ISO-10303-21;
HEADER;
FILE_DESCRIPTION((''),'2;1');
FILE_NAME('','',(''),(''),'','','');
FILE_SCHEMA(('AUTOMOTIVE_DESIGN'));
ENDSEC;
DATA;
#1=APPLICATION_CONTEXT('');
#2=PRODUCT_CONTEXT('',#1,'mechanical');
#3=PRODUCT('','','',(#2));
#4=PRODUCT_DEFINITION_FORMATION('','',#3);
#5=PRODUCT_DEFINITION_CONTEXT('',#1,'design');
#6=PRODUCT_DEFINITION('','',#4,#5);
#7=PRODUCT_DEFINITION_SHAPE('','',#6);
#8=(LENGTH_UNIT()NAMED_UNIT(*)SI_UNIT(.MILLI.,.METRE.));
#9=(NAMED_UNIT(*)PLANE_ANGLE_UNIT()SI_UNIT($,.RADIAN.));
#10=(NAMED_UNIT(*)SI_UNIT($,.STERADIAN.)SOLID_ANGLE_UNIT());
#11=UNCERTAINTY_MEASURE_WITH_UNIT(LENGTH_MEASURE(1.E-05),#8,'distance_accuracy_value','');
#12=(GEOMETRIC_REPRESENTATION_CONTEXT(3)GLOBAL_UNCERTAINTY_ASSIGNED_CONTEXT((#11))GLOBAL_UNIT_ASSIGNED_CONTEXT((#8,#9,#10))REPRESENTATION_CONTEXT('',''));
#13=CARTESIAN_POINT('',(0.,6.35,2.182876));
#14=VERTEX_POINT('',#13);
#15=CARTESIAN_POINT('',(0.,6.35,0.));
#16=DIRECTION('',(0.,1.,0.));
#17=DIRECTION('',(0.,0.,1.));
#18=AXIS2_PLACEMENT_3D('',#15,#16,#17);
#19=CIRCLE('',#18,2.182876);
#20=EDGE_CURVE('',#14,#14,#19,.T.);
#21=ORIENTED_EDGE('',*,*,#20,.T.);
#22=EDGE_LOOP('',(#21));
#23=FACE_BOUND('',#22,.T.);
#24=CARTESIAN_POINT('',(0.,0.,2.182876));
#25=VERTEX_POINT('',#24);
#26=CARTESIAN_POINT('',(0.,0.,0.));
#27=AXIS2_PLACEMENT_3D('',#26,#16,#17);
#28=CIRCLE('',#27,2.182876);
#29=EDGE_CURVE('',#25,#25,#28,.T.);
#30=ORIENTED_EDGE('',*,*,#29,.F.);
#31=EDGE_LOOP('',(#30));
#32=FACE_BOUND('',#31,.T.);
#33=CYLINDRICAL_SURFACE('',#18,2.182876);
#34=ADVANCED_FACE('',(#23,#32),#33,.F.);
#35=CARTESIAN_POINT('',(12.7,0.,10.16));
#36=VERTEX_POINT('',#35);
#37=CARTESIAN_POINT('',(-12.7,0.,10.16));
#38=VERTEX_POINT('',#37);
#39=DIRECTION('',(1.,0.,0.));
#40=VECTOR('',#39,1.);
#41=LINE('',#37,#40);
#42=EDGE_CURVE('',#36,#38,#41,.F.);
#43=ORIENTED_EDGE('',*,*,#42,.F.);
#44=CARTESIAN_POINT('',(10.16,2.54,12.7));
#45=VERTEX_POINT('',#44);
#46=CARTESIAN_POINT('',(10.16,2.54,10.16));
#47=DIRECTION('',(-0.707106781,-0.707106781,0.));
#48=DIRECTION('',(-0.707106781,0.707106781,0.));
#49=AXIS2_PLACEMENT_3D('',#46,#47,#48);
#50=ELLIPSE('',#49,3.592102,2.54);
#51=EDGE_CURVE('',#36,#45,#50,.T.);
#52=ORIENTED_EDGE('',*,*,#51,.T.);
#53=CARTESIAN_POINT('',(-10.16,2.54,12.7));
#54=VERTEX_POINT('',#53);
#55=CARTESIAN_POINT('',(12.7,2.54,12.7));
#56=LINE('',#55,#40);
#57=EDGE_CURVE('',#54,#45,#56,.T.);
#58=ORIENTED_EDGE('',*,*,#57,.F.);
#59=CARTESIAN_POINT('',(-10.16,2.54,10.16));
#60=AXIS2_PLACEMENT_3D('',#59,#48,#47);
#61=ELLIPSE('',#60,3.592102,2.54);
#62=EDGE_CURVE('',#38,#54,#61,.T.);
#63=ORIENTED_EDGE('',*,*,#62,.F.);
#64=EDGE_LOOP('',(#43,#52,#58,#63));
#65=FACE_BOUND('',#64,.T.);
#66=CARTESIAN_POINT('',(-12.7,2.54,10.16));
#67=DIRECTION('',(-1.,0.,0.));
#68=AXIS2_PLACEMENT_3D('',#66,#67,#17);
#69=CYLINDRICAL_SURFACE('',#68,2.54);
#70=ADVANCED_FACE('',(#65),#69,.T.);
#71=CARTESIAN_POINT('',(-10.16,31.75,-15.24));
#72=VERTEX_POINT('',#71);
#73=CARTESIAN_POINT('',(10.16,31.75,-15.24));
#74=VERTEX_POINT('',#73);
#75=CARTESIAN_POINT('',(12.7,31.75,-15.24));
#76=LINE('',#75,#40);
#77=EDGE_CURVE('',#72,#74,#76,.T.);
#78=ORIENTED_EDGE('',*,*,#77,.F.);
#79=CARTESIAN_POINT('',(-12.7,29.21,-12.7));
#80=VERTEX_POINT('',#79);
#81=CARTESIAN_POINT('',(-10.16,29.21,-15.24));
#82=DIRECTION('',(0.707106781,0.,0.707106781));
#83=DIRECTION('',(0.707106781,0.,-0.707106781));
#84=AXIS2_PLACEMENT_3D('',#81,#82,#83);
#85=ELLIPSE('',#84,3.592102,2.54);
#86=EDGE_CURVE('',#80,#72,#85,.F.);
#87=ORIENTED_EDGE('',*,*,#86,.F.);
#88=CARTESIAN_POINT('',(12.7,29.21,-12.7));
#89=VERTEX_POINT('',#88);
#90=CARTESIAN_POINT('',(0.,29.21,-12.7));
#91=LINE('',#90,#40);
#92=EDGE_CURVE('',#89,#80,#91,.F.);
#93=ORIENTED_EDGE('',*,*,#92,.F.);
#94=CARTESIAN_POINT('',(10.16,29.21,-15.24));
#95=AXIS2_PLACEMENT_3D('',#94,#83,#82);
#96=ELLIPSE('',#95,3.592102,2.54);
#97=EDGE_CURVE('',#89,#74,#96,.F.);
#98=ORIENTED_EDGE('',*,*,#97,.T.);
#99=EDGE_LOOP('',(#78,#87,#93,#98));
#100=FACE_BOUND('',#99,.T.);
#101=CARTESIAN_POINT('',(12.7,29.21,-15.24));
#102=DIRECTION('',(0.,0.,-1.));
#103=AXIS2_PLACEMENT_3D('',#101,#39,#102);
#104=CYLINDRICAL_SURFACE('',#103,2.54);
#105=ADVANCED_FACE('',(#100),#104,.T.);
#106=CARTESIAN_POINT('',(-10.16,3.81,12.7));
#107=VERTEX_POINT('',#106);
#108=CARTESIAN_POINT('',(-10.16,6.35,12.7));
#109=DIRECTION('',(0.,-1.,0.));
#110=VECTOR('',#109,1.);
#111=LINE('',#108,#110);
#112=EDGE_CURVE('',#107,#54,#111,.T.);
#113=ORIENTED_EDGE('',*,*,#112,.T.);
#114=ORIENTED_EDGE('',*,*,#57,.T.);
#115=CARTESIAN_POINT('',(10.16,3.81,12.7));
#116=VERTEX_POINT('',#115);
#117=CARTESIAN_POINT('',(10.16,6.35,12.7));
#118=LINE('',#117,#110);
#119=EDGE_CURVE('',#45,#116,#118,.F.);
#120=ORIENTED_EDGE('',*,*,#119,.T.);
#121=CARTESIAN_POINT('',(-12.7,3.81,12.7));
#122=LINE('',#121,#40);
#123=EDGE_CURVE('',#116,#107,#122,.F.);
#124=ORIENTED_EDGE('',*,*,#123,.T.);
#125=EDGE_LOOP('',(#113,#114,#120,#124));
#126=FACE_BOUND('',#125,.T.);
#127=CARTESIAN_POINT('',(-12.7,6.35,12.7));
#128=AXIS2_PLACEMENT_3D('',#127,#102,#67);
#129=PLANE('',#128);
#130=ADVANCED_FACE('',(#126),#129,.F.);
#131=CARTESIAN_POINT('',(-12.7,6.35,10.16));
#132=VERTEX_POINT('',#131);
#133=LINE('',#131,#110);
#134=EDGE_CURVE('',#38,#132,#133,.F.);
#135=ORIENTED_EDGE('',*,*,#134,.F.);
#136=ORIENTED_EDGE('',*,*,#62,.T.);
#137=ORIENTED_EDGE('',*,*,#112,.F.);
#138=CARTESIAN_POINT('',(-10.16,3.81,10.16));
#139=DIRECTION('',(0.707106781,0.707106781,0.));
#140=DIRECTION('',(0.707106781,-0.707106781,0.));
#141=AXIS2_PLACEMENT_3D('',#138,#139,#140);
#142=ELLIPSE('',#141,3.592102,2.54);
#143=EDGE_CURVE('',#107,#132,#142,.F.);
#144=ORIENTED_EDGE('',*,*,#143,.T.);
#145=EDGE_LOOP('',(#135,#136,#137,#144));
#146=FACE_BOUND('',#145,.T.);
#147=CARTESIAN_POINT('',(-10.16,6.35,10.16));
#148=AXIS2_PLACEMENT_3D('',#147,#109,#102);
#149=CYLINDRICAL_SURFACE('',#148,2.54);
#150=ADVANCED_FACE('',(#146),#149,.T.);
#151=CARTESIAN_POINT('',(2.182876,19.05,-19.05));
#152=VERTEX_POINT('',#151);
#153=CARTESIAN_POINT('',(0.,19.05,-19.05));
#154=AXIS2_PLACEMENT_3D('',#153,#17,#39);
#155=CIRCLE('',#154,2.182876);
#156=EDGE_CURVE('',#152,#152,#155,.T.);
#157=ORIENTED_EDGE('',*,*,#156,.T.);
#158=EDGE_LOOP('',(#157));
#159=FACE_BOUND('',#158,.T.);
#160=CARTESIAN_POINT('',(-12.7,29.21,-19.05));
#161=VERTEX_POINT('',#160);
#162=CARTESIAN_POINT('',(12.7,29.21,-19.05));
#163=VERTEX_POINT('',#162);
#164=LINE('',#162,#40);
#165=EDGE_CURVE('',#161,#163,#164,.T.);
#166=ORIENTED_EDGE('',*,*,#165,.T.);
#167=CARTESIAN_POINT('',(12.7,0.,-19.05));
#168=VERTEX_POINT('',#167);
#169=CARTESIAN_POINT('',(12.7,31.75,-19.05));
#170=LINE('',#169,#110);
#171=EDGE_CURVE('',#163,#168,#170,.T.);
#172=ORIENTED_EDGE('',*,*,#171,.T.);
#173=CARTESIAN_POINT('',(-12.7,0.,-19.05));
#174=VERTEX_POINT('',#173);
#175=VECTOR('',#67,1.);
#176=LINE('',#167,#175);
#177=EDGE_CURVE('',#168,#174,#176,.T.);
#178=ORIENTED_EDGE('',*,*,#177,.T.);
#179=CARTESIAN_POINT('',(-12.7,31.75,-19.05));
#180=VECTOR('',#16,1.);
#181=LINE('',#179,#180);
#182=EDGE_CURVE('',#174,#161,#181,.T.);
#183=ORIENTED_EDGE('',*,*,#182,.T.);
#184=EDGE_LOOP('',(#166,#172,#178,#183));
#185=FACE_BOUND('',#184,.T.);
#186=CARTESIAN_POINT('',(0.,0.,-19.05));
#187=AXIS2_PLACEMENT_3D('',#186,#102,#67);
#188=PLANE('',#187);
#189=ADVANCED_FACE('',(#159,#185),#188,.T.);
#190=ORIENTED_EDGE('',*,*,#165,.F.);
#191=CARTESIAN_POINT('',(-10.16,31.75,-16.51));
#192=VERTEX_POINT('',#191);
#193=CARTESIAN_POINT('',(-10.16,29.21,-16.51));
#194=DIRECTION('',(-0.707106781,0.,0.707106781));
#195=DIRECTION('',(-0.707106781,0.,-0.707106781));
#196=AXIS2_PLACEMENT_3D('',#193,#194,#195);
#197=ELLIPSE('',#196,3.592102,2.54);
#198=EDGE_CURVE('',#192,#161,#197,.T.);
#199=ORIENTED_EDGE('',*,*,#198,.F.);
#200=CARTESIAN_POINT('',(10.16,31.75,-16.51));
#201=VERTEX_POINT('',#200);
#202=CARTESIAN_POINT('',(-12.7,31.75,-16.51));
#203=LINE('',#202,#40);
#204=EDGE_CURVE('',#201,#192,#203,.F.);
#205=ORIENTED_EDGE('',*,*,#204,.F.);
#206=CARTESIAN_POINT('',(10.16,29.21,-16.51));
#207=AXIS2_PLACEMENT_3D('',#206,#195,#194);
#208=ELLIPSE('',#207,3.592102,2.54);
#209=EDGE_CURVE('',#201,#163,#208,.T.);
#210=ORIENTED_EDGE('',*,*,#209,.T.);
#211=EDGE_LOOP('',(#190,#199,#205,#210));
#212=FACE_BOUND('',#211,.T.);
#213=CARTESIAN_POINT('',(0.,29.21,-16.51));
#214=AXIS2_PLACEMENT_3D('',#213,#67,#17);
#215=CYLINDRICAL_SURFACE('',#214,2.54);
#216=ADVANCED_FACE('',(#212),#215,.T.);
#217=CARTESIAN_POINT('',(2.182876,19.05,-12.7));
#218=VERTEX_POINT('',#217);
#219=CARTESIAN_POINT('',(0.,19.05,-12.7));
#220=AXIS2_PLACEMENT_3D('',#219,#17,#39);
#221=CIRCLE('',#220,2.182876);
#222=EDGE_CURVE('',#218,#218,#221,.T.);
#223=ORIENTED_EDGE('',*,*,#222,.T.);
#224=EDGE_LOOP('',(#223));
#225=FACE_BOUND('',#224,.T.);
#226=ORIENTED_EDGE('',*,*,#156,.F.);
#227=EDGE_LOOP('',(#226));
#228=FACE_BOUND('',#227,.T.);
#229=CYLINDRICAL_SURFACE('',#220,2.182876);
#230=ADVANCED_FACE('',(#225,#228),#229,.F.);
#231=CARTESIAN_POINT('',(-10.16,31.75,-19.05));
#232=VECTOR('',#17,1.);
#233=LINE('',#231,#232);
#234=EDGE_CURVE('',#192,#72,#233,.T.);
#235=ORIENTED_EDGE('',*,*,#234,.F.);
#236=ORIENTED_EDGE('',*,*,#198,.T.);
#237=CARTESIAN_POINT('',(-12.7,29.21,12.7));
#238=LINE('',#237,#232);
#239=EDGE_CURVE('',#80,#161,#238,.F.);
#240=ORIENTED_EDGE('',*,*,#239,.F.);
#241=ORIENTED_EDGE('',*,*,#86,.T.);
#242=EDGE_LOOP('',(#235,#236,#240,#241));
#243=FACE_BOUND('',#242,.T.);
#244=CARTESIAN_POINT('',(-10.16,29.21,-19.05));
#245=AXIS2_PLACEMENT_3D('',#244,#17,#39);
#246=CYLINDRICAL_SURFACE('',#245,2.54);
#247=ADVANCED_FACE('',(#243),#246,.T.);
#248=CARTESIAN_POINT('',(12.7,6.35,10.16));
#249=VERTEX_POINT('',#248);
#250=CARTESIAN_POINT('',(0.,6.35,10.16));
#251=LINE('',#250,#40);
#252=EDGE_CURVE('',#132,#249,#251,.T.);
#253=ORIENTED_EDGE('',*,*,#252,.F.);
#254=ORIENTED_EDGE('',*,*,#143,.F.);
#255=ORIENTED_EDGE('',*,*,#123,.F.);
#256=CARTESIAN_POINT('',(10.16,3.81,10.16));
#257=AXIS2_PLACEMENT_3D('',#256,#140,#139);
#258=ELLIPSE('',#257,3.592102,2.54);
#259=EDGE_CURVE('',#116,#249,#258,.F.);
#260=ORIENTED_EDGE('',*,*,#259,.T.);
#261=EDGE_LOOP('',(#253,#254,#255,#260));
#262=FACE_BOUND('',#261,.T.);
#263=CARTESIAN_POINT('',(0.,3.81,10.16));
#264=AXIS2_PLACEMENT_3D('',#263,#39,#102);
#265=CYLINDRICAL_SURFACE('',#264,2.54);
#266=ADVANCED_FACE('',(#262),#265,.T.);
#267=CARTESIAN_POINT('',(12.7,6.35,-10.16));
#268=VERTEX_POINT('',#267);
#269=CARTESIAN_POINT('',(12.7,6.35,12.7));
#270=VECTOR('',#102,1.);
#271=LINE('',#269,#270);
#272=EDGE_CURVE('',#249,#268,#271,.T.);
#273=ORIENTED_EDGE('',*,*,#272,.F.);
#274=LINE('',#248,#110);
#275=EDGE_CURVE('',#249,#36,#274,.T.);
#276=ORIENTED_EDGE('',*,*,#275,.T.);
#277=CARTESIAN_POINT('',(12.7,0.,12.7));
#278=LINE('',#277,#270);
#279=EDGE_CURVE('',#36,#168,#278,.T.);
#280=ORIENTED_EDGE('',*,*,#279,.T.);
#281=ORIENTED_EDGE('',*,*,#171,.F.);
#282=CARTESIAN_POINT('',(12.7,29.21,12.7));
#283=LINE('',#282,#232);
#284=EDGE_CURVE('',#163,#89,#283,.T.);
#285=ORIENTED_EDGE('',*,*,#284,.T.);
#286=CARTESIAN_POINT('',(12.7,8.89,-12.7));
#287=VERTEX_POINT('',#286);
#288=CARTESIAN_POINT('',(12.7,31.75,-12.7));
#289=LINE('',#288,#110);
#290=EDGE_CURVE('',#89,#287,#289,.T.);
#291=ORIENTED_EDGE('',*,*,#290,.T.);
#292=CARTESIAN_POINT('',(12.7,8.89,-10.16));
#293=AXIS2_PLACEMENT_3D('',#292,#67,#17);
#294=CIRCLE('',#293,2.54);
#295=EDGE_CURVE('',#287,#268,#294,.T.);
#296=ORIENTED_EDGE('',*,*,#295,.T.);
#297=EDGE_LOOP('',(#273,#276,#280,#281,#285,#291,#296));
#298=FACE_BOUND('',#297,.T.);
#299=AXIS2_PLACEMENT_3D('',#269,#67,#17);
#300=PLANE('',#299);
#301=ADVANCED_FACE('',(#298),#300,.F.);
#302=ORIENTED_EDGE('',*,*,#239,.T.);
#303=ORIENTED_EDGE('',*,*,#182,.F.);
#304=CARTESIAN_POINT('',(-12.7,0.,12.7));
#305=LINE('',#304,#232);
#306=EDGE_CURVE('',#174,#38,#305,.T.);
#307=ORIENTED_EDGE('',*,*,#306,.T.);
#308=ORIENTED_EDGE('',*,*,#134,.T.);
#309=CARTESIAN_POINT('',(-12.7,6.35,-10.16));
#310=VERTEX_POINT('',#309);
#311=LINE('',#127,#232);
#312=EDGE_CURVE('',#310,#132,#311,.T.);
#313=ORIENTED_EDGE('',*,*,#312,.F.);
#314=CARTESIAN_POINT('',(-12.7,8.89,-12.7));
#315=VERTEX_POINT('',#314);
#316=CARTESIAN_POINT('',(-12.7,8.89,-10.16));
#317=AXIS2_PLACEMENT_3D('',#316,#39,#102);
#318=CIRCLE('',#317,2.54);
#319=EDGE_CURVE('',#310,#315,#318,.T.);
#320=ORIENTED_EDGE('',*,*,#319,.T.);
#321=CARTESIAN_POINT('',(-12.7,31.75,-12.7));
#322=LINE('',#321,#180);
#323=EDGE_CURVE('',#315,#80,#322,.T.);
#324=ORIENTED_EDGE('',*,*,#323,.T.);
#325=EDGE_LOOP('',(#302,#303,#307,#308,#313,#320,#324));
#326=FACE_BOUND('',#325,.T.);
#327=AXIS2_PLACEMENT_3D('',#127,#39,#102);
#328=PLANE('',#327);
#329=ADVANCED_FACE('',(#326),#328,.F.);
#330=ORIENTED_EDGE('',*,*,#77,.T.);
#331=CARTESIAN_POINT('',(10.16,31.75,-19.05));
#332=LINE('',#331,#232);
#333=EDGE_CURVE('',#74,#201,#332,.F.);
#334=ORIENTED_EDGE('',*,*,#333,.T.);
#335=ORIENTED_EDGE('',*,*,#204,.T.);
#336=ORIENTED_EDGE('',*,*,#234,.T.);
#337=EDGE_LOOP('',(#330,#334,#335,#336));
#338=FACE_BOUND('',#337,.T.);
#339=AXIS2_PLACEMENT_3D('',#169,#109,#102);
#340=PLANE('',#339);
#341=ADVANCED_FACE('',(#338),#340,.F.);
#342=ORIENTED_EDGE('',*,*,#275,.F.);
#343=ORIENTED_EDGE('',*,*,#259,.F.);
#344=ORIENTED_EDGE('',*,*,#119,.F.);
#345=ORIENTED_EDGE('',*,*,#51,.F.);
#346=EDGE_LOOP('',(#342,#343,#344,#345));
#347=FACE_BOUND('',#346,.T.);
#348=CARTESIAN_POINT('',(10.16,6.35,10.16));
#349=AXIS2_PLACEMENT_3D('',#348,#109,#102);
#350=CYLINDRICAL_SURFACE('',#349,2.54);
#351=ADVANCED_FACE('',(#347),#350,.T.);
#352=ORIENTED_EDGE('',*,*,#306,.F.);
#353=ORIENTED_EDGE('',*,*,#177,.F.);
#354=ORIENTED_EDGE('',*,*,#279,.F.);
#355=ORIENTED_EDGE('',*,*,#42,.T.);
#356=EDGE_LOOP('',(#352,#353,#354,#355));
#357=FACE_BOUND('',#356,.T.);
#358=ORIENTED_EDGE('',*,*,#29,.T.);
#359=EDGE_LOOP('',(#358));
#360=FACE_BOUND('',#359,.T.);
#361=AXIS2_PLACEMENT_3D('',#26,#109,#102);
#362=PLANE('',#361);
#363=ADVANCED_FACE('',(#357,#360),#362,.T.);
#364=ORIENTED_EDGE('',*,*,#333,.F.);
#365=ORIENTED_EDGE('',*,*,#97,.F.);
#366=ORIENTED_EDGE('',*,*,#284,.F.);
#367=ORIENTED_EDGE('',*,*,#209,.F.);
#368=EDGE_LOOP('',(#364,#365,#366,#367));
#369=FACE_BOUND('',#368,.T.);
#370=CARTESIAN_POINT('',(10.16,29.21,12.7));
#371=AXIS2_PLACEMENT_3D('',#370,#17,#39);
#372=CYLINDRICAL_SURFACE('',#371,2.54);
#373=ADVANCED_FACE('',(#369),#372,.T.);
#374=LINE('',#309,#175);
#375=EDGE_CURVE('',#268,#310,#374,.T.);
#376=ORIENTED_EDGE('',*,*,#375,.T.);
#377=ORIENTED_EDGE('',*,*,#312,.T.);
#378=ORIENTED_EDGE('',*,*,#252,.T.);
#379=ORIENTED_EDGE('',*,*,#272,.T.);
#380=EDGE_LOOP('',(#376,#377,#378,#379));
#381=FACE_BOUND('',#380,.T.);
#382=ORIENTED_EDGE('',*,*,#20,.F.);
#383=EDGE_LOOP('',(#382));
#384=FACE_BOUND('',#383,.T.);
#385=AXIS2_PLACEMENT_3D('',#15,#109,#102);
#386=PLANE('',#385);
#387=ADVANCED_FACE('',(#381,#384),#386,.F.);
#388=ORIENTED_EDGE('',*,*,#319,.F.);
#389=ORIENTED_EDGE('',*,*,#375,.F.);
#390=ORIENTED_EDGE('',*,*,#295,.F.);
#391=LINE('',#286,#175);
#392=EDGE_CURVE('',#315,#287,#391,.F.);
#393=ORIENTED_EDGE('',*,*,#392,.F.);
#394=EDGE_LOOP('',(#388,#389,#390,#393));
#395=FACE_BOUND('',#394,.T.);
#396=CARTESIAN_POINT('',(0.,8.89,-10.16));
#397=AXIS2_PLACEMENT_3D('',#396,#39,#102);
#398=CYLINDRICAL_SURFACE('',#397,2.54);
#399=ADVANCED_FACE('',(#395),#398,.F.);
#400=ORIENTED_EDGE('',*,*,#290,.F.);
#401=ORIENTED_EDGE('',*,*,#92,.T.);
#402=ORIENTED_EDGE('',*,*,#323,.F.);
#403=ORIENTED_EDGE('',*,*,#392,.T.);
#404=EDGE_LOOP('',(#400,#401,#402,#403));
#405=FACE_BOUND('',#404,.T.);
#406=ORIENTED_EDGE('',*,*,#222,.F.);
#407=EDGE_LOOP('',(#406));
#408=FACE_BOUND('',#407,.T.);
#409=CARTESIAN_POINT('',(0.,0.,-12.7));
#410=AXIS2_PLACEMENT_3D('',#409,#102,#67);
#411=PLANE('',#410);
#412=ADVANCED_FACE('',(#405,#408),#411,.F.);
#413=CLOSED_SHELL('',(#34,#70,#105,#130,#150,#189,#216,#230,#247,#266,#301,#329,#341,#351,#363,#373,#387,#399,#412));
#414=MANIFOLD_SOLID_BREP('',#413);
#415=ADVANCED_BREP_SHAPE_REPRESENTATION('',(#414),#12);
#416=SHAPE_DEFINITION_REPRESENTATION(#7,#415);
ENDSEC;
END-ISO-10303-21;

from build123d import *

# Parameters (mm, degrees)
SKETCH1_W                        = 25.4
SKETCH1_H                        = 25.4
BOSS_EXTRUDE1_DEPTH              = 6.35
SKETCH2_W                        = 25.4
SKETCH2_H                        = 31.75
BOSS_EXTRUDE2_DEPTH              = 6.35
FILLET1_R                        = 2.54
F_11_64_0_17188_DIAMETER_HOLE1_D = 4.365752
F_11_64_0_17188_DIAMETER_HOLE2_D = 4.365752


with BuildPart() as part:
    # Sketch1 → Boss-Extrude1 (new body)
    with BuildSketch(Plane(origin=(0, 0, 0), x_dir=(1, 0, 0), z_dir=(0, 1, 0))):
        Rectangle(SKETCH1_W, SKETCH1_H)
    extrude(amount=BOSS_EXTRUDE1_DEPTH)

    # Sketch2 → Boss-Extrude2 (add)
    with BuildSketch(Plane(origin=(0, 0, -12.7), x_dir=(-1, 0, 0), z_dir=(0, 0, -1))):
        with Locations((0, 15.875)):
            Rectangle(SKETCH2_W, SKETCH2_H)
    extrude(amount=BOSS_EXTRUDE2_DEPTH)

    # Fillet1
    fillet1_edges = [part.edges().sort_by_distance(p)[0] for p in [
        (0, 31.75, -12.7),
        (-12.7, 31.75, -15.875),
        (12.7, 31.75, -15.875),
        (0, 6.35, 12.7),
        (0, 31.75, -19.05),
        (0, 0, 12.7),
        (12.7, 3.175, 12.7),
        (-12.7, 3.175, 12.7),
        (0, 6.35, -12.7),
    ]]
    fillet(fillet1_edges, radius=FILLET1_R)

    # 11/64 (0.17188) Diameter Hole1 (through all)
    with Locations(Plane(origin=(0, 6.35, 0), x_dir=(1, 0, 0), z_dir=(0, 1, 0))):
        with Locations((0, 0)):
            Hole(F_11_64_0_17188_DIAMETER_HOLE1_D / 2)

    # 11/64 (0.17188) Diameter Hole2 (through all)
    with Locations(Plane.XY.offset(-12.7)):
        with Locations((0, 19.05)):
            Hole(F_11_64_0_17188_DIAMETER_HOLE2_D / 2)


solid = part.part
